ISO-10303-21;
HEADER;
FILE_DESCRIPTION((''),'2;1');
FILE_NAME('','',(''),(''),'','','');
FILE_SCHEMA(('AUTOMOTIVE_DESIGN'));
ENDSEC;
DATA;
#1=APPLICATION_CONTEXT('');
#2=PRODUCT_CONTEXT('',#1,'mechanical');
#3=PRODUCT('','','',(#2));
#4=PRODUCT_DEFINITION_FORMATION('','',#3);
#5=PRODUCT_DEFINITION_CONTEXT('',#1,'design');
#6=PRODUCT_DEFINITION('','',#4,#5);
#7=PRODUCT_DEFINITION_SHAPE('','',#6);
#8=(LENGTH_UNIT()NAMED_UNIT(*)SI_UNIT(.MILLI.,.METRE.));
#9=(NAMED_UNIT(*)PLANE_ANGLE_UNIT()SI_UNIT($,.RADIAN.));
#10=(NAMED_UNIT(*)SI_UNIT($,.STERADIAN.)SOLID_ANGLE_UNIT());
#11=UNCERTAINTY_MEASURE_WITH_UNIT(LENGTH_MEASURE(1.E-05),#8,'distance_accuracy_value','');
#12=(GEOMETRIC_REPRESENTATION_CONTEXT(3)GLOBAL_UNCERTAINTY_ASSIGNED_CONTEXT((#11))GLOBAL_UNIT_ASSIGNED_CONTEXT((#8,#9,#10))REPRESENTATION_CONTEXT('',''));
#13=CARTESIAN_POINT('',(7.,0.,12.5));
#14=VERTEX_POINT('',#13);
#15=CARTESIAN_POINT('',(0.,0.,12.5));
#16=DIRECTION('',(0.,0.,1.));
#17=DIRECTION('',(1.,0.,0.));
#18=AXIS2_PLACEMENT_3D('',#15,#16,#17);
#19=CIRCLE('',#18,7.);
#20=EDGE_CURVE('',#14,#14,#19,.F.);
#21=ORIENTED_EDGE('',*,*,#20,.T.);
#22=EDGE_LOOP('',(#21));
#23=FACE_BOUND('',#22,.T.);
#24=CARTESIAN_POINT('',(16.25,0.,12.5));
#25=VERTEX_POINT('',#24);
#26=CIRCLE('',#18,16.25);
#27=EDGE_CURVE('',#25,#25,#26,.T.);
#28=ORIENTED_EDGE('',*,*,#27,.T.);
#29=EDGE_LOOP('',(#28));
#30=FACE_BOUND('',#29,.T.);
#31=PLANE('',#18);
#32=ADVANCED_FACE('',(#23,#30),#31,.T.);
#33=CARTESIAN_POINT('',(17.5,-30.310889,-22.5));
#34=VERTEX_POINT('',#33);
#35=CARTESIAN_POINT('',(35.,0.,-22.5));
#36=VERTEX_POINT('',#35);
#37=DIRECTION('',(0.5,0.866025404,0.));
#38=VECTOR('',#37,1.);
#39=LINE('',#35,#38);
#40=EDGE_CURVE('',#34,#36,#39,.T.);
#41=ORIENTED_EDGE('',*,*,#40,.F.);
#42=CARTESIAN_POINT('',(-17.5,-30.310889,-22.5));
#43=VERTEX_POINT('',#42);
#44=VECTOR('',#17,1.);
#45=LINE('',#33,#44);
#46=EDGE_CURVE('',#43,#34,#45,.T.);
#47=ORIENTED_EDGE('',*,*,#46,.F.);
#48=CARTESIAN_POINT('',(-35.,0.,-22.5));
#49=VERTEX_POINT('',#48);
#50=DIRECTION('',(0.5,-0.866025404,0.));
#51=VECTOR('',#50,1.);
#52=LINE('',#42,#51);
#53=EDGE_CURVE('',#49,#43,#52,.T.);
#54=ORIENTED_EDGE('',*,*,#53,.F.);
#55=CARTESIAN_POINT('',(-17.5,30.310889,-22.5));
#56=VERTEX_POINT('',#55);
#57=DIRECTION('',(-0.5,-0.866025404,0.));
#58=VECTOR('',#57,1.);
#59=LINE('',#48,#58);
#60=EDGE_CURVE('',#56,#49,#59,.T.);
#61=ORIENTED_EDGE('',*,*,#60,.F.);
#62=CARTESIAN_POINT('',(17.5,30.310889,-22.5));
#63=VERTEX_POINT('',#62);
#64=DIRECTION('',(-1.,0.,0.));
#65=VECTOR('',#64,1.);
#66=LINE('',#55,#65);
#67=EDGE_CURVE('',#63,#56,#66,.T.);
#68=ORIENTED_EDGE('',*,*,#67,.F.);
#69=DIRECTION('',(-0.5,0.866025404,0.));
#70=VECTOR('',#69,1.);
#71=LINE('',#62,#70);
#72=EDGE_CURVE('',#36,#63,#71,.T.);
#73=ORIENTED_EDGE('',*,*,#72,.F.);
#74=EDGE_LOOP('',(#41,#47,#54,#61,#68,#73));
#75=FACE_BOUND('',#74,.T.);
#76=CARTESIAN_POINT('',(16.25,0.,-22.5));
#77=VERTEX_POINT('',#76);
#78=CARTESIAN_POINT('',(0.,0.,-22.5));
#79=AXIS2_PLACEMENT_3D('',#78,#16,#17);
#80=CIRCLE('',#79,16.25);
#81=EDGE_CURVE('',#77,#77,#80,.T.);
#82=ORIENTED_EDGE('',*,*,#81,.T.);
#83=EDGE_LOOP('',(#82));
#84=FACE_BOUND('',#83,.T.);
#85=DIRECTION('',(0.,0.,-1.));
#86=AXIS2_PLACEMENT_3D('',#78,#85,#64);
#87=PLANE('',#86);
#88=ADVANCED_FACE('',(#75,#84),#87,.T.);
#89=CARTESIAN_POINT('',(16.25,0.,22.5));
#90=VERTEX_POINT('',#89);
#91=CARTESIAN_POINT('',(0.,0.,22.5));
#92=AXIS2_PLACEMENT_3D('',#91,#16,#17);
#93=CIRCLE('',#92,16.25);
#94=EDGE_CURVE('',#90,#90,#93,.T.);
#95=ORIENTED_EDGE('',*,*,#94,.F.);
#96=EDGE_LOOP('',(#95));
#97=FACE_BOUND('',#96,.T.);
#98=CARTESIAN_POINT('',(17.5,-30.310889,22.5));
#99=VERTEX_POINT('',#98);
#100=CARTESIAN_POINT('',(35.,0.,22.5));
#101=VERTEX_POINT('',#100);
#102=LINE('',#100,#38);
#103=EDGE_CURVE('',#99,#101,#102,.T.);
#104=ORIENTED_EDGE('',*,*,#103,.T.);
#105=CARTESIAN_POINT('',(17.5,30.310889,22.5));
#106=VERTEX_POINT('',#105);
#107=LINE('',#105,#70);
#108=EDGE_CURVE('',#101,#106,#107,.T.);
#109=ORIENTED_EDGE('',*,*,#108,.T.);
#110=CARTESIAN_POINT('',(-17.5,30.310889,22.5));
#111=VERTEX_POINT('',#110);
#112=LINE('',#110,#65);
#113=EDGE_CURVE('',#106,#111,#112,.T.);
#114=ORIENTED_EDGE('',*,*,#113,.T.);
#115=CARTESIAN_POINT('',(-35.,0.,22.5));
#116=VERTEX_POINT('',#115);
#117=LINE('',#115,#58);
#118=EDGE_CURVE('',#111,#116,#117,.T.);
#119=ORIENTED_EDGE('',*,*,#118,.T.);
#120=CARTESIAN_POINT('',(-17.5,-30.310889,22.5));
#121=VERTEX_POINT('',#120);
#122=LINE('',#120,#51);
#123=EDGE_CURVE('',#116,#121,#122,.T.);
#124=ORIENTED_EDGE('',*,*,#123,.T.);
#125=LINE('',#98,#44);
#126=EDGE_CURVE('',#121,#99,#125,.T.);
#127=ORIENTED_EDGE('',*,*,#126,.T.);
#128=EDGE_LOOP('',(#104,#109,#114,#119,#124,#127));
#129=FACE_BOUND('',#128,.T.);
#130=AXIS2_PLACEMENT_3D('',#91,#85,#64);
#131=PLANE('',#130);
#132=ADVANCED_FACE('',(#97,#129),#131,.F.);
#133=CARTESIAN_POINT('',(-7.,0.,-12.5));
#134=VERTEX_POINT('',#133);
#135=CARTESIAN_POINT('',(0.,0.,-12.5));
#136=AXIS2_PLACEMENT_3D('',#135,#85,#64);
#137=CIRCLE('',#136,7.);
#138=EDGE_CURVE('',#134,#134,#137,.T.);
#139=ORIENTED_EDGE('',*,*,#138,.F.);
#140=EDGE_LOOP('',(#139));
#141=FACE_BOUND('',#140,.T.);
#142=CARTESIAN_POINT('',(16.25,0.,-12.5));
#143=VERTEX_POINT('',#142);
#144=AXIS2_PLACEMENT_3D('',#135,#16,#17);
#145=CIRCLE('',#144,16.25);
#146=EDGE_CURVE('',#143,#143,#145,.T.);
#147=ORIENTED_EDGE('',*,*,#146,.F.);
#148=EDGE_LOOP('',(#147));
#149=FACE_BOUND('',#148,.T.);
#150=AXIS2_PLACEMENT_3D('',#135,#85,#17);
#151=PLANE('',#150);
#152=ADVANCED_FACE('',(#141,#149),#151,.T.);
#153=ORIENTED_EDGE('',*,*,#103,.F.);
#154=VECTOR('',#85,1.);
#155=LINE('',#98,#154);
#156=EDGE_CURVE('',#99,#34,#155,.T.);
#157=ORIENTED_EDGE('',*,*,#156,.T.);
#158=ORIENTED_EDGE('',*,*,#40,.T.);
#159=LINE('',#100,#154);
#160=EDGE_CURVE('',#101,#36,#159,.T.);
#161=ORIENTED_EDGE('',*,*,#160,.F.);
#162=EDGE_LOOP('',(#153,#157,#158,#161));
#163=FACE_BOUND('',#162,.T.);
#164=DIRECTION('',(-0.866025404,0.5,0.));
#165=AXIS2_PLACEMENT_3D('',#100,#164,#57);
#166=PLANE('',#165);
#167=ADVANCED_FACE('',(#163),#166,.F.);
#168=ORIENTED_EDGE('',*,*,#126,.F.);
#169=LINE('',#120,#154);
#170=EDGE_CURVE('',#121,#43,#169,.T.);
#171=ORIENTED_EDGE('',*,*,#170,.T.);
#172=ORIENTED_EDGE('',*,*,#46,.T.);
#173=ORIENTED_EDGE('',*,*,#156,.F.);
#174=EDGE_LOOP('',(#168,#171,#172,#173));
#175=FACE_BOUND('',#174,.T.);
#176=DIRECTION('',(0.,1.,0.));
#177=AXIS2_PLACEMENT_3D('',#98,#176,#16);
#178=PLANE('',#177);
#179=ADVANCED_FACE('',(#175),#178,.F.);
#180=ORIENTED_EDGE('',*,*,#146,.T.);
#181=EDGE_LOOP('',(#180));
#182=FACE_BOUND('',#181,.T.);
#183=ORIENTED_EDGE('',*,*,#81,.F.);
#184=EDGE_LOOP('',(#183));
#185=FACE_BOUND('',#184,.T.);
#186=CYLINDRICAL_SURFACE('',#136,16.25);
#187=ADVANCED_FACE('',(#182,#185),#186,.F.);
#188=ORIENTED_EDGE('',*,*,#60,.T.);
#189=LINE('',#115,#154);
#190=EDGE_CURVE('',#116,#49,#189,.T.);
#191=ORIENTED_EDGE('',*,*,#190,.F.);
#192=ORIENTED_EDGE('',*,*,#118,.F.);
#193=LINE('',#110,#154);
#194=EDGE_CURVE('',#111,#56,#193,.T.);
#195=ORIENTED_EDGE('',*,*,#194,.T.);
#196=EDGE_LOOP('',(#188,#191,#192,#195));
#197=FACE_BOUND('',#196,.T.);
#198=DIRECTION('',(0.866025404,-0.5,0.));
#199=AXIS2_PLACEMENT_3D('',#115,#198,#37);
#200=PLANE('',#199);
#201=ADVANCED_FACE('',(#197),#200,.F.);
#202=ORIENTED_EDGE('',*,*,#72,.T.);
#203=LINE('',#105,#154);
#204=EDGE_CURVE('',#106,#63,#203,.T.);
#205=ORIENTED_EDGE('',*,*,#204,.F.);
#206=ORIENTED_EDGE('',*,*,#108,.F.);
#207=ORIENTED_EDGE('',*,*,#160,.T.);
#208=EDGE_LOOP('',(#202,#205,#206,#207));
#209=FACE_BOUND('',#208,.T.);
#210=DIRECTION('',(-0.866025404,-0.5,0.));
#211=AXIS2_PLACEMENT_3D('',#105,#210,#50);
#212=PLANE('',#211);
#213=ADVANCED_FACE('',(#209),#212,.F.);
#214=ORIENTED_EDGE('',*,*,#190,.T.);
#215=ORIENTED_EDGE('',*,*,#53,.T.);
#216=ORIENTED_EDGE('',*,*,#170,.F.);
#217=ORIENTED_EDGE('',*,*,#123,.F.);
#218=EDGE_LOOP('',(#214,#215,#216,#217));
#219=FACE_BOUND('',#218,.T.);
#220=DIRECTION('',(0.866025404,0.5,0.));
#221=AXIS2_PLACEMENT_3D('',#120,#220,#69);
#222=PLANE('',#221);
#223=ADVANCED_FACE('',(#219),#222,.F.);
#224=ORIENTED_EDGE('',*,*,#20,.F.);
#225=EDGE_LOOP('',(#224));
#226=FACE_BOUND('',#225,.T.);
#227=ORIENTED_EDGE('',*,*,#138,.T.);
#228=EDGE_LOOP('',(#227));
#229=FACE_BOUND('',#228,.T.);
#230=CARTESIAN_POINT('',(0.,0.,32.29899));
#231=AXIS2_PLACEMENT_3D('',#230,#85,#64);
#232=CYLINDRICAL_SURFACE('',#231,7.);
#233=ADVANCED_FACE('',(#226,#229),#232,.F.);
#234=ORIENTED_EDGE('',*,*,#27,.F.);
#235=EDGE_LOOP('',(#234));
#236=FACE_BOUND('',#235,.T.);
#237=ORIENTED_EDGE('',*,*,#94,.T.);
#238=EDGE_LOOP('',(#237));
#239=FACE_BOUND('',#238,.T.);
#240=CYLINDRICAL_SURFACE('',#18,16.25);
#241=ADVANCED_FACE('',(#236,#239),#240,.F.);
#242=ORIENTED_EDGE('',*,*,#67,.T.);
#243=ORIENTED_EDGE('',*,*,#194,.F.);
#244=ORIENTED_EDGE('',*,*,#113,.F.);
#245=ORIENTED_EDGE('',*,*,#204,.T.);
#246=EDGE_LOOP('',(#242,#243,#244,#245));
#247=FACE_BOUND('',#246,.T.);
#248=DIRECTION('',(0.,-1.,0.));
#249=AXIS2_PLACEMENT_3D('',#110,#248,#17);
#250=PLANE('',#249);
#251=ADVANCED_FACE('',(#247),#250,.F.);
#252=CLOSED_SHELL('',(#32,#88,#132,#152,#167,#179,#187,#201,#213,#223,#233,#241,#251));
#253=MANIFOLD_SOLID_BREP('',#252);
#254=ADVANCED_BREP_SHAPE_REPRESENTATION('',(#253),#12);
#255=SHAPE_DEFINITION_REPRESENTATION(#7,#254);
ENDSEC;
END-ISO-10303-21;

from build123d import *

# Parameters (mm, degrees)
BOSS_EXTRUDE1_DEPTH = 22.5
SKETCH2_R           = 16.25
CUT_EXTRUDE1_DEPTH  = 10
SKETCH3_R           = 7
CUT_EXTRUDE2_DEPTH  = 25


with BuildPart() as part:
    # Sketch1 → Boss-Extrude1 (new body, symmetric)
    with BuildSketch(Plane.XY):
        Polygon((-17.5, 30.310889132), (17.5, 30.310889132), (35, 0), (17.5, -30.310889132), (-17.5, -30.310889132), (-35, 0), align=None)
    extrude(amount=BOSS_EXTRUDE1_DEPTH, both=True)

    # Sketch2 → Cut-Extrude1 (cut)
    with BuildSketch(Plane.XY.offset(22.5)):
        Circle(SKETCH2_R)
    cut_extrude1 = extrude(amount=-CUT_EXTRUDE1_DEPTH, mode=Mode.SUBTRACT)

    # Mirror1: Cut-Extrude1 across plane
    add(cut_extrude1.mirror(Plane.XY), mode=Mode.SUBTRACT)

    # Sketch3 → Cut-Extrude2 (cut)
    with BuildSketch(Plane(origin=(0, 0, -12.5), x_dir=(-1, 0, 0), z_dir=(0, 0, -1))):
        Circle(SKETCH3_R)
    extrude(amount=-CUT_EXTRUDE2_DEPTH, mode=Mode.SUBTRACT)


solid = part.part
